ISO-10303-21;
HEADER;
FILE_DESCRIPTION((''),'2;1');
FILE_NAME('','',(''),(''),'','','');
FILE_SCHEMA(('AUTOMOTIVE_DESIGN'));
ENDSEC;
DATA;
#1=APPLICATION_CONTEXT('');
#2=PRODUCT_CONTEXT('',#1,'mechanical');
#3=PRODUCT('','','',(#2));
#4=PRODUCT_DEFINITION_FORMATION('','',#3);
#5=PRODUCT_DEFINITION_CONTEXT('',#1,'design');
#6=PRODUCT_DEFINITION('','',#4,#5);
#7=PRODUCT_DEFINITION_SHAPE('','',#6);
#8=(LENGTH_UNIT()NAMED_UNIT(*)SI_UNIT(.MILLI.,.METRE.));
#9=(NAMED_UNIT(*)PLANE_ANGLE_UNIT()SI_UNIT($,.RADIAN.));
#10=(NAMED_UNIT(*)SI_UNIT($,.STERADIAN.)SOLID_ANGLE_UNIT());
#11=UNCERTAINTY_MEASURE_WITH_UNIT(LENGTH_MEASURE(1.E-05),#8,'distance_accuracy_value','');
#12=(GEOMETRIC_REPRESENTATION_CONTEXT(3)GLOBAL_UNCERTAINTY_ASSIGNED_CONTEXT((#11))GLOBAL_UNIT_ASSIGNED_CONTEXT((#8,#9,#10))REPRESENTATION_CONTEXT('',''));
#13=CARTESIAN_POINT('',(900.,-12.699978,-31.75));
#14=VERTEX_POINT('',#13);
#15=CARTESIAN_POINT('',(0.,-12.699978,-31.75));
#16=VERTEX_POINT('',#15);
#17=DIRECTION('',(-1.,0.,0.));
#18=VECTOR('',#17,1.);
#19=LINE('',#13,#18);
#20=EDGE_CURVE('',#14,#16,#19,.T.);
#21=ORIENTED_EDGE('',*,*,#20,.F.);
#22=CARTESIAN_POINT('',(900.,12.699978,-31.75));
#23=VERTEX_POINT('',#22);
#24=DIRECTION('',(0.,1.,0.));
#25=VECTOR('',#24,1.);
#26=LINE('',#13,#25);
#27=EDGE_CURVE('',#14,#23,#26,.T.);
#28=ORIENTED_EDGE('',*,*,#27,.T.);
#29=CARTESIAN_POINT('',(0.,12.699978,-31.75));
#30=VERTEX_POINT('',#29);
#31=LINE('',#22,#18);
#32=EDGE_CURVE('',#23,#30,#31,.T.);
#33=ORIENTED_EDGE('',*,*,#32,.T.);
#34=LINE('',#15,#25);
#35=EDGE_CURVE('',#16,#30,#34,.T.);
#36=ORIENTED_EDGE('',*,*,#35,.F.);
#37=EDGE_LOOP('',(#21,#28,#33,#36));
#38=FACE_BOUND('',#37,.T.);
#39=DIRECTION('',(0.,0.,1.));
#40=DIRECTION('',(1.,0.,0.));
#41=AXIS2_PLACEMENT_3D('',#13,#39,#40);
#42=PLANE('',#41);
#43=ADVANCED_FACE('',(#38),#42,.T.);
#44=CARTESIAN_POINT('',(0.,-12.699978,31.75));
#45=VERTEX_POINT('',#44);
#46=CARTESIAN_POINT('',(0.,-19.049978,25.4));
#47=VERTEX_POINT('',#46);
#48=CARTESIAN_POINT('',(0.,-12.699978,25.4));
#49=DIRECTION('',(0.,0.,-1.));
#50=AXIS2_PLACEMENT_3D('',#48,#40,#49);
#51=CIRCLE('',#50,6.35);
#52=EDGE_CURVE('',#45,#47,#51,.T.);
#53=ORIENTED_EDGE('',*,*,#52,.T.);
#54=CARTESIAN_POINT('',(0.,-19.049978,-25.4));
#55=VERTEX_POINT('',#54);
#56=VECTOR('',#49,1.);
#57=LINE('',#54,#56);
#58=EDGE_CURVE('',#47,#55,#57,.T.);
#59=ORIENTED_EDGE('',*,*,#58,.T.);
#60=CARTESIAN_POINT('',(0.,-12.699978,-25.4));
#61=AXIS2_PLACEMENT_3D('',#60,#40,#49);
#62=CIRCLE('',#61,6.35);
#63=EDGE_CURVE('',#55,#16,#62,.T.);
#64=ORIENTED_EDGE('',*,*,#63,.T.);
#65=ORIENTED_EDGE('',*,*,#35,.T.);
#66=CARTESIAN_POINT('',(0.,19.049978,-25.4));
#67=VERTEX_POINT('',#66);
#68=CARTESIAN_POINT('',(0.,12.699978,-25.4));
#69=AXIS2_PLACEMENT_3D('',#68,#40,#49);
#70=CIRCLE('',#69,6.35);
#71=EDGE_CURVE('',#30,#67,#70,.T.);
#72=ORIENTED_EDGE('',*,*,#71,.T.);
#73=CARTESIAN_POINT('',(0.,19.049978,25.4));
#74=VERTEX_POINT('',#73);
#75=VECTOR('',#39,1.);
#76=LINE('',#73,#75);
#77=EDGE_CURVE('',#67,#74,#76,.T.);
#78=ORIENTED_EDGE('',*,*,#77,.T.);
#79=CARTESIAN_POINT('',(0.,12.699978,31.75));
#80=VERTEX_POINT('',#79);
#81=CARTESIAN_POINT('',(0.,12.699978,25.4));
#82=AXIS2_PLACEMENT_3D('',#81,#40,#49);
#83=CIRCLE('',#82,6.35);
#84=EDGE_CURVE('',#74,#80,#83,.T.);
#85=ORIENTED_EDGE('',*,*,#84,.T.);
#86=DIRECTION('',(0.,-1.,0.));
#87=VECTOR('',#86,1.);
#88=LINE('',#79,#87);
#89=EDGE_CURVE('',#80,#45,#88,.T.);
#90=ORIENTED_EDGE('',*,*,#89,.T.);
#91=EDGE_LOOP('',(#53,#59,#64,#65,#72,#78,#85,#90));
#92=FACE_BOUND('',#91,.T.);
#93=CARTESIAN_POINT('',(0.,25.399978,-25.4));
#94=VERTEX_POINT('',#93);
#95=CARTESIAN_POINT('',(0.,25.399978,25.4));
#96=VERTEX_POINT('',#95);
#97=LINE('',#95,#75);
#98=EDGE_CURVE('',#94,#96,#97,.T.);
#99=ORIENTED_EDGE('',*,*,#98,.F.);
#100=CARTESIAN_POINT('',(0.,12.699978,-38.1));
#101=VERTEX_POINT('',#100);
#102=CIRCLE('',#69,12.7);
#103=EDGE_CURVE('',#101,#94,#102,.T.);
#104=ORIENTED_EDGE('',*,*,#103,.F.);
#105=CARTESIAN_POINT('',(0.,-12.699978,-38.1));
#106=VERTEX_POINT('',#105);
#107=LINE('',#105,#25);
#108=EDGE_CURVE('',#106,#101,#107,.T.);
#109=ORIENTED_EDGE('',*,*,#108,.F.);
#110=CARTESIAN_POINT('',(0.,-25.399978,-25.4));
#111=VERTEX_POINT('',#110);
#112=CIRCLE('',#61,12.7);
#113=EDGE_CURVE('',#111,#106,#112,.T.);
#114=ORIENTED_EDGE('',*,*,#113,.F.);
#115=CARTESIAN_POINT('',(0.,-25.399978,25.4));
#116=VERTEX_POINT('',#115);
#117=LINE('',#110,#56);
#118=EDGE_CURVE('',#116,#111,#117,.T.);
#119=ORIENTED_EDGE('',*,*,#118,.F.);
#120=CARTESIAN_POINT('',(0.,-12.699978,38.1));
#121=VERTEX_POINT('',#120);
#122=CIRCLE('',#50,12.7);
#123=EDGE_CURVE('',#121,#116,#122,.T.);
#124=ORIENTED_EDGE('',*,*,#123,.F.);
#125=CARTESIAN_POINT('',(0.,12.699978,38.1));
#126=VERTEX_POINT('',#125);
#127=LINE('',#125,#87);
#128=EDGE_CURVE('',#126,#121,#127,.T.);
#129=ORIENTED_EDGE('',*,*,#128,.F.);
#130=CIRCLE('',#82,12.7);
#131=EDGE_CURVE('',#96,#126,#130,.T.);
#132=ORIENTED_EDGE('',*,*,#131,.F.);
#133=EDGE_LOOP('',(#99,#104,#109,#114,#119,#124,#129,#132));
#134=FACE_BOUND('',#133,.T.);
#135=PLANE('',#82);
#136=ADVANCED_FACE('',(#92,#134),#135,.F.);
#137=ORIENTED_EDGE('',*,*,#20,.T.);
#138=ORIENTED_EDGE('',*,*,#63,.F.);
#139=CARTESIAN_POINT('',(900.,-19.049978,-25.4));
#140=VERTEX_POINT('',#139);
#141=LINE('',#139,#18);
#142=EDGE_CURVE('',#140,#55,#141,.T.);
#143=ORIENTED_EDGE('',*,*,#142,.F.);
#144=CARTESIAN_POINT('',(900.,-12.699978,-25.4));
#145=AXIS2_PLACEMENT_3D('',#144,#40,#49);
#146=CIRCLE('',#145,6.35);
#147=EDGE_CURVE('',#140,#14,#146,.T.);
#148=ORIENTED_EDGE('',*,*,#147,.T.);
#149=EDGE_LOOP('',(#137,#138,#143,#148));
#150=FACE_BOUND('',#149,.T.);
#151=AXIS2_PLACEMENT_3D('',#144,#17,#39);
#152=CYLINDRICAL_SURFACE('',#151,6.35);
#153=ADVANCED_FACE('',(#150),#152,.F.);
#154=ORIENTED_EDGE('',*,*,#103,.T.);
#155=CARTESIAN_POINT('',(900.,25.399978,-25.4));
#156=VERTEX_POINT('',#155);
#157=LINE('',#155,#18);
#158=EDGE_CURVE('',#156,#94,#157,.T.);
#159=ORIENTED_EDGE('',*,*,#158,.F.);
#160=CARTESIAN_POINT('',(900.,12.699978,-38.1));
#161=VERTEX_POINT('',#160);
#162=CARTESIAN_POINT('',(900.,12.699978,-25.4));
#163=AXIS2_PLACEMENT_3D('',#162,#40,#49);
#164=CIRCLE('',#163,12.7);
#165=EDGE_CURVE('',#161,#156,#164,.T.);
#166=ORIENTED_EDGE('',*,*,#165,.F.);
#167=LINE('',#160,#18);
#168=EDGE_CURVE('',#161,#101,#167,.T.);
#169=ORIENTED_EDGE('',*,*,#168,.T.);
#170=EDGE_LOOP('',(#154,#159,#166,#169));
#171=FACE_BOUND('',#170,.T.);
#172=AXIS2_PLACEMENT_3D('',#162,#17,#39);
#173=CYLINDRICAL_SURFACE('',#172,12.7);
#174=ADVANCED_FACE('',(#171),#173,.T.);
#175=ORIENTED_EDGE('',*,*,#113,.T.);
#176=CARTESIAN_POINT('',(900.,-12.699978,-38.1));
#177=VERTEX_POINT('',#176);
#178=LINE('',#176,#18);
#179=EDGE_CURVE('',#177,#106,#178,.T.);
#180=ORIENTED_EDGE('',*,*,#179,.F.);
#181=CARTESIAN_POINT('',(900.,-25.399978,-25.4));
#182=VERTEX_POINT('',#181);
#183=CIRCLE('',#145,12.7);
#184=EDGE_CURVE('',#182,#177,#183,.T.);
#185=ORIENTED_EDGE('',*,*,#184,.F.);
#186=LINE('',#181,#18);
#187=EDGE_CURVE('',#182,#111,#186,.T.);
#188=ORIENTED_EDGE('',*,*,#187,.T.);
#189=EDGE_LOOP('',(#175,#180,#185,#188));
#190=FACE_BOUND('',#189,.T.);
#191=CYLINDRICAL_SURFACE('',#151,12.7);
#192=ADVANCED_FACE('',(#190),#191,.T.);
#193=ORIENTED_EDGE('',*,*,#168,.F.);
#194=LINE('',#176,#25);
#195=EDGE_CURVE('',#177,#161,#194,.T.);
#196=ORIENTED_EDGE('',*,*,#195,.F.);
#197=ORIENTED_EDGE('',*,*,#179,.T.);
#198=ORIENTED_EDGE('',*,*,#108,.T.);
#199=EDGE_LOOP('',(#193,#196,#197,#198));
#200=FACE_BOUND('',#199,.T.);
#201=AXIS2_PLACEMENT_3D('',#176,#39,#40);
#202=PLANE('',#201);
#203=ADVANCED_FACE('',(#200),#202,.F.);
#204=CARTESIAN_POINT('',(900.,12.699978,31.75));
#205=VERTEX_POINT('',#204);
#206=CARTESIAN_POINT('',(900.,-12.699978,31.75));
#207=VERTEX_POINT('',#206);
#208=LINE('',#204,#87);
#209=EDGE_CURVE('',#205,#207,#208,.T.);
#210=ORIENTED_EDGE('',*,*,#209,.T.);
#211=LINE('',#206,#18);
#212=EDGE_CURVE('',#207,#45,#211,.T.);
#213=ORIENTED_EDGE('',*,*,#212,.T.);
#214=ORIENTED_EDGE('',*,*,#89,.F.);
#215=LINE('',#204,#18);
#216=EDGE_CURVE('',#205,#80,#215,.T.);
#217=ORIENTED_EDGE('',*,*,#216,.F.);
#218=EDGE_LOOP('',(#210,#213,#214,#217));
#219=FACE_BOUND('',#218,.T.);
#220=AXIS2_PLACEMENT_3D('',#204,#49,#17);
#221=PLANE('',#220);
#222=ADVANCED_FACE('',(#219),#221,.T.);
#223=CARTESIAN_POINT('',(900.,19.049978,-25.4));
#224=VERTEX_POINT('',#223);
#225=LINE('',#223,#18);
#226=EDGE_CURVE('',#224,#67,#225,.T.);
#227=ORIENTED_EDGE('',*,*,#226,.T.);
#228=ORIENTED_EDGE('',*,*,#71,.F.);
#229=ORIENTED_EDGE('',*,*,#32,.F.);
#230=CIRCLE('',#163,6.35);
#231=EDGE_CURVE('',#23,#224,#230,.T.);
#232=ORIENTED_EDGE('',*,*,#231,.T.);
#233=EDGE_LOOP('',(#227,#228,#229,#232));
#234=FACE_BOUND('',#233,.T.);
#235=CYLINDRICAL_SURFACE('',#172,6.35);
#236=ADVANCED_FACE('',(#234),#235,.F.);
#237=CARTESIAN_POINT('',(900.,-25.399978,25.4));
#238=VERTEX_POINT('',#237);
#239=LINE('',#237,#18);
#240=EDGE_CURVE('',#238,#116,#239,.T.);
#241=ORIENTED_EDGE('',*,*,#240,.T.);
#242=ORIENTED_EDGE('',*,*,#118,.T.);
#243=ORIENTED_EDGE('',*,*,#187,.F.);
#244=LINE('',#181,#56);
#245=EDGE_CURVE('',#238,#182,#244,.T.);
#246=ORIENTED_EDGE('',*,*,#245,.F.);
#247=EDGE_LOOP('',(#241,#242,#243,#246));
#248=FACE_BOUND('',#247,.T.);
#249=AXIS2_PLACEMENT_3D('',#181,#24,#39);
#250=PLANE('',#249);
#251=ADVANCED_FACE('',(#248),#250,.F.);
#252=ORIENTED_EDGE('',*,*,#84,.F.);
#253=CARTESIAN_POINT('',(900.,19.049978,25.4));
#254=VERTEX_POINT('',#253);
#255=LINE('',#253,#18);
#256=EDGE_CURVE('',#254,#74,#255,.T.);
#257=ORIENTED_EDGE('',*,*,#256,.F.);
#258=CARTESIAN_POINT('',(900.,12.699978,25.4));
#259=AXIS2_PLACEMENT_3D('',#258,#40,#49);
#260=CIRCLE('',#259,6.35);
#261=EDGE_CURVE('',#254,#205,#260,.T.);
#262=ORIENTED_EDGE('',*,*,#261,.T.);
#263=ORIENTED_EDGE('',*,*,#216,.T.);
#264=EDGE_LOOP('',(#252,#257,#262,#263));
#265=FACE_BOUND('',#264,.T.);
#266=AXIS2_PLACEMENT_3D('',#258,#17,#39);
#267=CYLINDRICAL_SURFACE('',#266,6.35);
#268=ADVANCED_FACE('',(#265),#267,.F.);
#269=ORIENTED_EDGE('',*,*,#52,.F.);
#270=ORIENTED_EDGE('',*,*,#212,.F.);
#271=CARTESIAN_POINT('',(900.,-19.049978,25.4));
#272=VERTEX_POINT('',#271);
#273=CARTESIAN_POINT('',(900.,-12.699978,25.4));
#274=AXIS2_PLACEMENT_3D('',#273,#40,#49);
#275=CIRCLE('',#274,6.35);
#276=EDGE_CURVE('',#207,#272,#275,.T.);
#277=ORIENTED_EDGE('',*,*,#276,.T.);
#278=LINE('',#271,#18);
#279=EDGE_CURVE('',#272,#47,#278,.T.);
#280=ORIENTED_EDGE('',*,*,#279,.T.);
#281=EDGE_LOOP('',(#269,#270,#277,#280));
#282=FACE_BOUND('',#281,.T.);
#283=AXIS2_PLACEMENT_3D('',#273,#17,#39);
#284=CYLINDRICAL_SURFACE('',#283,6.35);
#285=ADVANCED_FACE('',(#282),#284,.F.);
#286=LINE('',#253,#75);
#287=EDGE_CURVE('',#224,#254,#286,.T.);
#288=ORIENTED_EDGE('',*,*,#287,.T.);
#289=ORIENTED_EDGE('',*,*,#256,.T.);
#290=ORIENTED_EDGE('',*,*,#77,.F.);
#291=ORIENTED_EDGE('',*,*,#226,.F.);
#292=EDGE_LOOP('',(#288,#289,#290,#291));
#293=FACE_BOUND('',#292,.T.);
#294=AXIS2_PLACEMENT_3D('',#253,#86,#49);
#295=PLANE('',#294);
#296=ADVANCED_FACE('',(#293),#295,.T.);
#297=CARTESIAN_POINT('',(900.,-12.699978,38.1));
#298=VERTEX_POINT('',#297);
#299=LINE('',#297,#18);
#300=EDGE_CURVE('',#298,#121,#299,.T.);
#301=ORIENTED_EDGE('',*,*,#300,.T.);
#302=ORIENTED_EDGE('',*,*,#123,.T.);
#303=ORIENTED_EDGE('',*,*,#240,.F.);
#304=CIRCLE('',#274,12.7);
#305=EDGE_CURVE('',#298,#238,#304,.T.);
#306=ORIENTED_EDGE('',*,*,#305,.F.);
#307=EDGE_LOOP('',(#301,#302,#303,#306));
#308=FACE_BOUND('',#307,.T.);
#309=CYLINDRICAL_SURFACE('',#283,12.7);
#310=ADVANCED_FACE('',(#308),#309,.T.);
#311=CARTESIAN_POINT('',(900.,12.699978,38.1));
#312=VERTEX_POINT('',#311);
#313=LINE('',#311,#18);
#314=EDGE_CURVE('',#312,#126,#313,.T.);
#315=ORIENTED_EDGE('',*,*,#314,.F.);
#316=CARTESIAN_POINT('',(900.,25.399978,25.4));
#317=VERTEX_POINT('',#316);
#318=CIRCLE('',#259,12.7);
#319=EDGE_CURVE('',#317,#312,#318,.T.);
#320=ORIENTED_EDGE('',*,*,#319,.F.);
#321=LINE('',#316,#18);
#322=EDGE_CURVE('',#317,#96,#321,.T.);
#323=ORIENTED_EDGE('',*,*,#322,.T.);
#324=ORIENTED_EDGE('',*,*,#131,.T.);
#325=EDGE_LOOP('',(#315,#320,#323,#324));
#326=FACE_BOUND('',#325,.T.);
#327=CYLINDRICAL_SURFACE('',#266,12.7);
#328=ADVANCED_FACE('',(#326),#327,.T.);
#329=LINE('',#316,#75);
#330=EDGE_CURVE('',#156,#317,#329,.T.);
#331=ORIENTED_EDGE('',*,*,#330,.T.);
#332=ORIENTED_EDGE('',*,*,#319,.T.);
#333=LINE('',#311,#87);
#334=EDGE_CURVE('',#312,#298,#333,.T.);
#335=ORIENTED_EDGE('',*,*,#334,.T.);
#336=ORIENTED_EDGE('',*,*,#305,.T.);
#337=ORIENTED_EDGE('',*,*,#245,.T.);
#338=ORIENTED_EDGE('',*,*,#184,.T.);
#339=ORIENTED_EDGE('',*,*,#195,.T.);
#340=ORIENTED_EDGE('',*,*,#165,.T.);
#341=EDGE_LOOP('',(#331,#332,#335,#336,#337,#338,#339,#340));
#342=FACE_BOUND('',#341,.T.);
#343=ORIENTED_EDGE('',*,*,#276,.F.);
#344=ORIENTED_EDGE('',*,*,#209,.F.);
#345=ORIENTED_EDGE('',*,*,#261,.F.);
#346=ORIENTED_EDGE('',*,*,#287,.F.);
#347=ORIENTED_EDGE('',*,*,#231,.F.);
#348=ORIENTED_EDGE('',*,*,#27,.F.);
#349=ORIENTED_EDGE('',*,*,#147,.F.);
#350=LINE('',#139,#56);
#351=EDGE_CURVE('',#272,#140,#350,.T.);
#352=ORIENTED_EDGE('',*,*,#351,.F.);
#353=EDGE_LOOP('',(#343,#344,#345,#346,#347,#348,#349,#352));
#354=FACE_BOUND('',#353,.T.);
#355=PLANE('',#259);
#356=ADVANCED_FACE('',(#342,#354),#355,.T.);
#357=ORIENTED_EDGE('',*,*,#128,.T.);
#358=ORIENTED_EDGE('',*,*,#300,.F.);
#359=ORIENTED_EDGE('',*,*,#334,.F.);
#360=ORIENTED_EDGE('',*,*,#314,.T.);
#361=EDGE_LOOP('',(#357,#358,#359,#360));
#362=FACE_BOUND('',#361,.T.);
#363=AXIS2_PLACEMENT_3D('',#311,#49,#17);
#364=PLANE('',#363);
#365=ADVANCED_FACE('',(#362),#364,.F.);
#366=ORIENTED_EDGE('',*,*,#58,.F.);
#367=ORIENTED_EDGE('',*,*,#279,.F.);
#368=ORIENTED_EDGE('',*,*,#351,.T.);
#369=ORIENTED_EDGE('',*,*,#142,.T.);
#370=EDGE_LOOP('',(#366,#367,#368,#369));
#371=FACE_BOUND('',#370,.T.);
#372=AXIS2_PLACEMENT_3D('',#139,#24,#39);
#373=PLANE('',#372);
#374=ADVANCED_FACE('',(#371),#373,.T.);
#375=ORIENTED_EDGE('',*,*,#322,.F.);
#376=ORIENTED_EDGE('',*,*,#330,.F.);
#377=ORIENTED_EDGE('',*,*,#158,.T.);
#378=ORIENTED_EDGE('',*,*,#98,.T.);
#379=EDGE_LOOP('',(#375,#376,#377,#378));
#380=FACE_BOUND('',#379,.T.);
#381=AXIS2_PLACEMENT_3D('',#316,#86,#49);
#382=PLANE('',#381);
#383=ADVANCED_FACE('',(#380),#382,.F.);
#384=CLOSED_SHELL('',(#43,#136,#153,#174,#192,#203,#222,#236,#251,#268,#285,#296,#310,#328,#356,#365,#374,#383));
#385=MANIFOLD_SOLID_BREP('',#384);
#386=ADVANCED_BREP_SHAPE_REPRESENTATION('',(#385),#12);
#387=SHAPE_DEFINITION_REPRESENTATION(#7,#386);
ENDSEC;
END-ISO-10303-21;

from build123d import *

# Parameters (mm, degrees)
TUBO_RECTANGULAR_3_X_2_X_0_25_1_DEPTH = 900


with BuildPart() as part:
    # Sketch1 → Tubo rectangular 3 X 2 X 0.25(1) (new body)
    with BuildSketch(Plane.YZ):
        with BuildLine():
            Line((-12.699978, -38.1), (12.699978, -38.1))
            ThreePointArc((12.699978, -38.1), (21.680234121, -34.380256121), (25.399978, -25.4))
            Line((25.399978, -25.4), (25.399978, 25.4))
            ThreePointArc((25.399978, 25.4), (21.680234121, 34.380256121), (12.699978, 38.1))
            Line((12.699978, 38.1), (-12.699978, 38.1))
            ThreePointArc((-12.699978, 38.1), (-21.680234121, 34.380256121), (-25.399978, 25.4))
            Line((-25.399978, 25.4), (-25.399978, -25.4))
            ThreePointArc((-25.399978, -25.4), (-21.680234121, -34.380256121), (-12.699978, -38.1))
        make_face()
        with BuildLine():
            Line((-12.699978, -31.75), (12.699978, -31.75))
            ThreePointArc((12.699978, -31.75), (17.190106061, -29.890128061), (19.049978, -25.4))
            Line((19.049978, -25.4), (19.049978, 25.4))
            ThreePointArc((19.049978, 25.4), (17.190106061, 29.890128061), (12.699978, 31.75))
            Line((12.699978, 31.75), (-12.699978, 31.75))
            ThreePointArc((-12.699978, 31.75), (-17.190106061, 29.890128061), (-19.049978, 25.4))
            Line((-19.049978, 25.4), (-19.049978, -25.4))
            ThreePointArc((-19.049978, -25.4), (-17.190106061, -29.890128061), (-12.699978, -31.75))
        make_face(mode=Mode.SUBTRACT)
    extrude(amount=TUBO_RECTANGULAR_3_X_2_X_0_25_1_DEPTH)


solid = part.part
